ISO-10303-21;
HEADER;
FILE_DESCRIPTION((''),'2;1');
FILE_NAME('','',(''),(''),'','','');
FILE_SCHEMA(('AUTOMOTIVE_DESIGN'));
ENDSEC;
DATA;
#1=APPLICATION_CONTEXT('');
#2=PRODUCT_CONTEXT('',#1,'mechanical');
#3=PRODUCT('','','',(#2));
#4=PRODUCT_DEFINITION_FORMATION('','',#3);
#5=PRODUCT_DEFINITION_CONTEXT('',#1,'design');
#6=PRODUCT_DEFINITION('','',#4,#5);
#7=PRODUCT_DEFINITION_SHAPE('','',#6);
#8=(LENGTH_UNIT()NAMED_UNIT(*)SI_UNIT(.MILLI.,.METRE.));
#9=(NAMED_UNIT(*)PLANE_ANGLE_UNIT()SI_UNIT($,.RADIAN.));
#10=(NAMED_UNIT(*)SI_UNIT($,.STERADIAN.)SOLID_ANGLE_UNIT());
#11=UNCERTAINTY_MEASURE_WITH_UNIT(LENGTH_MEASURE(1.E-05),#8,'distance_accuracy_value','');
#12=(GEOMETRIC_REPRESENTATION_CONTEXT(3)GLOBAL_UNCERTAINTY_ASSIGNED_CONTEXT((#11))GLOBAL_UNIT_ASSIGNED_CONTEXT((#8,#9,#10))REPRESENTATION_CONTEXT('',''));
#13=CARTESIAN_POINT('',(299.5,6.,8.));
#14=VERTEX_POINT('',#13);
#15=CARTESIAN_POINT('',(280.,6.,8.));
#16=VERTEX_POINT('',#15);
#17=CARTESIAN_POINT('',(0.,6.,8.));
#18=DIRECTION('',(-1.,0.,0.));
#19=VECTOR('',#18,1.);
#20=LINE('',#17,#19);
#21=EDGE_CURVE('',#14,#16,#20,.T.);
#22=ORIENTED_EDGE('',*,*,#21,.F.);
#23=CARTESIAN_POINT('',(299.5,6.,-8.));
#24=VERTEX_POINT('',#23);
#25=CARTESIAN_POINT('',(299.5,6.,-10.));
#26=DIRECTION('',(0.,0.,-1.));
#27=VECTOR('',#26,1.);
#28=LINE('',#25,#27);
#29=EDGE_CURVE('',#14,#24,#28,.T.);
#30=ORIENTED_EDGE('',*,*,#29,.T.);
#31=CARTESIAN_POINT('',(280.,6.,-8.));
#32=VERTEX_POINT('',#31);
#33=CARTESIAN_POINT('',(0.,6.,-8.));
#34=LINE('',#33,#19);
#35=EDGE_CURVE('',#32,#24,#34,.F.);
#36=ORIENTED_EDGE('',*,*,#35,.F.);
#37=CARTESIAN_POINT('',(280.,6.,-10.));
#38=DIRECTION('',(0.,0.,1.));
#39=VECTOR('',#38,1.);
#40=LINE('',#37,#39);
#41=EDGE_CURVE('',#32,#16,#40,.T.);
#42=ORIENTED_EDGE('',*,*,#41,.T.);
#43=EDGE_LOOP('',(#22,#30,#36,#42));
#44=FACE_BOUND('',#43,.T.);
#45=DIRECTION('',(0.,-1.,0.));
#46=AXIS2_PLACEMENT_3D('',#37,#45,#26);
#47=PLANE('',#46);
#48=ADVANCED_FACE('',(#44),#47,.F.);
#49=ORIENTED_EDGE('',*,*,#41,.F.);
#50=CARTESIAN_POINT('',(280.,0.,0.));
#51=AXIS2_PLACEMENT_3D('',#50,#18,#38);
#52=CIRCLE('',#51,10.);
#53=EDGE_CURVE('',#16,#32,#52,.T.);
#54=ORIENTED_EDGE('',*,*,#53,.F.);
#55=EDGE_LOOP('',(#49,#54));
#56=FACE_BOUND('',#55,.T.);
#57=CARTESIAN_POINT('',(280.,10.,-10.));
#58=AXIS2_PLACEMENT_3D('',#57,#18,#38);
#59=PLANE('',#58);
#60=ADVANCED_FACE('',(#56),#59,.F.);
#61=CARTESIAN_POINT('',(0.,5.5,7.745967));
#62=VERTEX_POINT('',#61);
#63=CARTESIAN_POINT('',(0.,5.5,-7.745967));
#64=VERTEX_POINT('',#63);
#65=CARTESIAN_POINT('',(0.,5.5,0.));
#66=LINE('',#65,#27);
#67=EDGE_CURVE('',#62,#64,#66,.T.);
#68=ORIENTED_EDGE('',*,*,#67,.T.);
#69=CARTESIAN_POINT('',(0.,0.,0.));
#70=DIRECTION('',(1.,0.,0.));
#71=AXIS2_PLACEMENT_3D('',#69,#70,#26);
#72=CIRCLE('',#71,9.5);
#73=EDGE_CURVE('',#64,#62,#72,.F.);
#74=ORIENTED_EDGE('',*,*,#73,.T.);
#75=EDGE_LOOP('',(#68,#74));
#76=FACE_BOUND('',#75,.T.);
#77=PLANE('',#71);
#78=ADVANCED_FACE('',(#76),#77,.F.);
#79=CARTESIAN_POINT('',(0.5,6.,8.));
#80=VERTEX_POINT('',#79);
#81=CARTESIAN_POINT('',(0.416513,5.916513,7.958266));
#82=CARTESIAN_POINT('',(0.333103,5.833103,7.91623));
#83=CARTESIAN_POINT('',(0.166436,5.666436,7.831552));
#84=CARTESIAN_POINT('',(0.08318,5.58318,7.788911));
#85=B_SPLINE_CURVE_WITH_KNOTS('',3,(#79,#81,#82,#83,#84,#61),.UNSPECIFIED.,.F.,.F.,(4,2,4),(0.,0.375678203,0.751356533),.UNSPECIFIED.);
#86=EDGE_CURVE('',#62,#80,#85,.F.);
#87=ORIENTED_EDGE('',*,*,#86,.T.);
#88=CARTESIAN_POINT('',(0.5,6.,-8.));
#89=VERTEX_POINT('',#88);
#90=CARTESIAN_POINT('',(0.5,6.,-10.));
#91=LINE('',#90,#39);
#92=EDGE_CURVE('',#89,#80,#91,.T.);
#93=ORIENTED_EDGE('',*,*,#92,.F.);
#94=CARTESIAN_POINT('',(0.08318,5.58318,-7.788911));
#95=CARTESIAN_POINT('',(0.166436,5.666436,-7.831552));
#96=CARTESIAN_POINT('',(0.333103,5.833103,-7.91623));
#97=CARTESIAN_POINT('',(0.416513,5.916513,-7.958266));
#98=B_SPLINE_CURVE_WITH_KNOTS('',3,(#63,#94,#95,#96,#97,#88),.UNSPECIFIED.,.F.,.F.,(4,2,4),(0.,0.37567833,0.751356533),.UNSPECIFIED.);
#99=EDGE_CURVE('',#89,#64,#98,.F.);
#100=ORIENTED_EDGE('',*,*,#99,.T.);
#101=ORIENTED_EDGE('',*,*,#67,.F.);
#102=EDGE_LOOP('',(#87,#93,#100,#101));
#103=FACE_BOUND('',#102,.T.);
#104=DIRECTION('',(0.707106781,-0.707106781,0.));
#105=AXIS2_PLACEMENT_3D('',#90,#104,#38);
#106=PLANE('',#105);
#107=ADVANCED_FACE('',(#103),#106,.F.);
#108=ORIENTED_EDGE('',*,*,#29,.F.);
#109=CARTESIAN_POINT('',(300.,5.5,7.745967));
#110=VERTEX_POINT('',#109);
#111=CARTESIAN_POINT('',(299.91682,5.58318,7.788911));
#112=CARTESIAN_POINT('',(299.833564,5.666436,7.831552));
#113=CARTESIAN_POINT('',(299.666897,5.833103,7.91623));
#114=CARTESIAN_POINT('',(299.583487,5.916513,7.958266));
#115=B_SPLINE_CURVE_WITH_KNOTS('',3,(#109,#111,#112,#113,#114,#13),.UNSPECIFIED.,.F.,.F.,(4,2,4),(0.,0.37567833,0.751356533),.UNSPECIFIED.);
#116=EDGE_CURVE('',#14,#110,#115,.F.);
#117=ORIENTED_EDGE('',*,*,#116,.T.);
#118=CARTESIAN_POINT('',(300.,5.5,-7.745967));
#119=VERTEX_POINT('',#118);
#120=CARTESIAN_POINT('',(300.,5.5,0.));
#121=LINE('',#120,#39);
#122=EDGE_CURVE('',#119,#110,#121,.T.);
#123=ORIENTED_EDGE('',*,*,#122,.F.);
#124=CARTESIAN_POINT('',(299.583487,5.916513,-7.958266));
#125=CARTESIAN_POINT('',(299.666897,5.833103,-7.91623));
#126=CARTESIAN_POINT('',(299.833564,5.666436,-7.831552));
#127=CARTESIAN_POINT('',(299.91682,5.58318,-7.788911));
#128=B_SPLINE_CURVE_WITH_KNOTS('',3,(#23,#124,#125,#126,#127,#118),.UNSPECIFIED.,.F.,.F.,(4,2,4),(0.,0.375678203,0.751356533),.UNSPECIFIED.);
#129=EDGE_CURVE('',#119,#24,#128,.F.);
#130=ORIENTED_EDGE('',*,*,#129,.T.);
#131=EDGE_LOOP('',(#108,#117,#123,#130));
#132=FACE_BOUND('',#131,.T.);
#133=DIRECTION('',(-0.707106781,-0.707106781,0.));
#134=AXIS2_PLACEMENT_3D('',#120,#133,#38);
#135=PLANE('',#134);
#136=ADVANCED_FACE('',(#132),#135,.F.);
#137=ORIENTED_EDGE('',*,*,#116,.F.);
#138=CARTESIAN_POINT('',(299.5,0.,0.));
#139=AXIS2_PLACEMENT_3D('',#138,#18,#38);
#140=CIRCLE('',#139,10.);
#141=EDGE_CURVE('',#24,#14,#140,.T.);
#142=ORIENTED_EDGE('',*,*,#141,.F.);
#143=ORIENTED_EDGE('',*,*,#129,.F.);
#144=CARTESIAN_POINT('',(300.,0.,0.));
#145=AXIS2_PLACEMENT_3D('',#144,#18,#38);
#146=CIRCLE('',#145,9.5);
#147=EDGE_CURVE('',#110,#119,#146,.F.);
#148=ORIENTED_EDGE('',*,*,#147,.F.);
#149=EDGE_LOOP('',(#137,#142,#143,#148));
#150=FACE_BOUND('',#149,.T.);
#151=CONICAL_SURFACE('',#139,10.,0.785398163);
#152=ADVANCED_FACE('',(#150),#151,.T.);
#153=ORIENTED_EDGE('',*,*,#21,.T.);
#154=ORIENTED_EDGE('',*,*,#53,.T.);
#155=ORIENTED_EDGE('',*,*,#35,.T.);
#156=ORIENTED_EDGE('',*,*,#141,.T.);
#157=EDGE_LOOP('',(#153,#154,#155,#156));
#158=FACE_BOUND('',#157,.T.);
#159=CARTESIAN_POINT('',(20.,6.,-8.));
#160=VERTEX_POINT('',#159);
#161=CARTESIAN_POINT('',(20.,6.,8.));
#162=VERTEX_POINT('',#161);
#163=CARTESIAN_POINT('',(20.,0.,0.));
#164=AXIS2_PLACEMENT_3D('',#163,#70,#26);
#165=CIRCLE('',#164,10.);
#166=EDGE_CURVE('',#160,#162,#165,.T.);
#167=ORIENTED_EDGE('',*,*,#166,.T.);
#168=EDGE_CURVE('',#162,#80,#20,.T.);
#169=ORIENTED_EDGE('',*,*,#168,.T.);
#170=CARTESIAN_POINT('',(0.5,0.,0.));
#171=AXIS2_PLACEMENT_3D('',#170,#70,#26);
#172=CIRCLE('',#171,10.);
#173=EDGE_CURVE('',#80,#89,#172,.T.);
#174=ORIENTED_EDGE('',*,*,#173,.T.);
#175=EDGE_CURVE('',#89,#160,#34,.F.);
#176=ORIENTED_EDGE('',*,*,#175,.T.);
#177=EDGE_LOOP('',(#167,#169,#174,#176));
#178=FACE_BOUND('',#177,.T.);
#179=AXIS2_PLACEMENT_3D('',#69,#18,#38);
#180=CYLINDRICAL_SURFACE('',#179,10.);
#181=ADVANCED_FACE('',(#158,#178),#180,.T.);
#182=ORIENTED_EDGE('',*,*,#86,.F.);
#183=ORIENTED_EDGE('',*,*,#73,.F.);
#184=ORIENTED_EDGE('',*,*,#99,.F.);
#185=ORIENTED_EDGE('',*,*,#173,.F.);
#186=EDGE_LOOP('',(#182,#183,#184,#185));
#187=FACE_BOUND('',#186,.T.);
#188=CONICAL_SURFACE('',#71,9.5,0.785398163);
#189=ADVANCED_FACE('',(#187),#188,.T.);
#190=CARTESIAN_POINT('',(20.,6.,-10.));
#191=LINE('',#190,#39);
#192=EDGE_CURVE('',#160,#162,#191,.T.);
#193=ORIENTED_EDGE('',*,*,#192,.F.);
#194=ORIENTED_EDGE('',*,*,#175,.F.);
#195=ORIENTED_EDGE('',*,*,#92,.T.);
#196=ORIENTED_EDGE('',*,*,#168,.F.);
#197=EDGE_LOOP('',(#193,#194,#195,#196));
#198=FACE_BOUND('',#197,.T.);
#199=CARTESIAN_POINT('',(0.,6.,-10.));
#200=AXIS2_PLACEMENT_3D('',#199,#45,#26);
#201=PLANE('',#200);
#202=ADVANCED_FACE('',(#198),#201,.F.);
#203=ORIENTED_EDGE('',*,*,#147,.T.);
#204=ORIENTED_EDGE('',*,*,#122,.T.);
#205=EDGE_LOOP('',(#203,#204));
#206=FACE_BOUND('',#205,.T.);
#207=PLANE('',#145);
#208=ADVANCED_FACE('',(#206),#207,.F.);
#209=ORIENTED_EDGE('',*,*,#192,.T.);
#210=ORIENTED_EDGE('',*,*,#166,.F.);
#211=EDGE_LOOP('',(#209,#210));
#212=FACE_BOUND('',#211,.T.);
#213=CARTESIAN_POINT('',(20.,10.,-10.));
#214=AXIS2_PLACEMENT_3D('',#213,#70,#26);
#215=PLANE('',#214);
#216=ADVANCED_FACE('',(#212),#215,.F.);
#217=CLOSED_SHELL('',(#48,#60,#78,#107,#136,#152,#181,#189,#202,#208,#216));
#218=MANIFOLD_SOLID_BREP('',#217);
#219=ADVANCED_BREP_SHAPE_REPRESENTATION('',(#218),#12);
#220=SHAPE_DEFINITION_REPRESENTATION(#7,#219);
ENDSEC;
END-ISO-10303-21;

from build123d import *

# Parameters (mm, degrees)
SKETCH1_W               = 300
SKETCH1_H               = 10
CUT_EXTRUDE1_DEPTH      = 301.333148354
CUT_EXTRUDE1_DEPTH_BACK = 301.333148354
SKETCH2_W               = 20
SKETCH2_H               = 4
CHAMFER1_SIZE           = 0.5


with BuildPart() as part:
    # Sketch1 → Revolve1 (revolve)
    with BuildSketch(Plane.XY, mode=Mode.PRIVATE) as revolve1_sk:
        with Locations((150, 5)):
            Rectangle(SKETCH1_W, SKETCH1_H)
    revolve(revolve1_sk.sketch.rotate(Axis((0, 0, 0), (1, 0, 0)), 90), axis=Axis((0, 0, 0), (1, 0, 0)))

    # Sketch2 → Cut-Extrude1 (cut, two sides: drawn at the far end of the back side and taken through both)
    with BuildSketch(Plane.XY.offset(-CUT_EXTRUDE1_DEPTH_BACK)):
        with Locations((10, 8)):
            Rectangle(SKETCH2_W, SKETCH2_H)
        with Locations((290, 8)):
            Rectangle(SKETCH2_W, SKETCH2_H)
    extrude(amount=CUT_EXTRUDE1_DEPTH + CUT_EXTRUDE1_DEPTH_BACK, mode=Mode.SUBTRACT)

    # Chamfer1
    chamfer1_edges = [part.edges().sort_by_distance(p)[0] for p in [
        (0, 6, 0),
        (300, -9.486832981, -3.16227766),
        (300, 6, 0),
        (0, -9.486832981, -3.16227766),
    ]]
    chamfer(chamfer1_edges, length=CHAMFER1_SIZE)


solid = part.part
